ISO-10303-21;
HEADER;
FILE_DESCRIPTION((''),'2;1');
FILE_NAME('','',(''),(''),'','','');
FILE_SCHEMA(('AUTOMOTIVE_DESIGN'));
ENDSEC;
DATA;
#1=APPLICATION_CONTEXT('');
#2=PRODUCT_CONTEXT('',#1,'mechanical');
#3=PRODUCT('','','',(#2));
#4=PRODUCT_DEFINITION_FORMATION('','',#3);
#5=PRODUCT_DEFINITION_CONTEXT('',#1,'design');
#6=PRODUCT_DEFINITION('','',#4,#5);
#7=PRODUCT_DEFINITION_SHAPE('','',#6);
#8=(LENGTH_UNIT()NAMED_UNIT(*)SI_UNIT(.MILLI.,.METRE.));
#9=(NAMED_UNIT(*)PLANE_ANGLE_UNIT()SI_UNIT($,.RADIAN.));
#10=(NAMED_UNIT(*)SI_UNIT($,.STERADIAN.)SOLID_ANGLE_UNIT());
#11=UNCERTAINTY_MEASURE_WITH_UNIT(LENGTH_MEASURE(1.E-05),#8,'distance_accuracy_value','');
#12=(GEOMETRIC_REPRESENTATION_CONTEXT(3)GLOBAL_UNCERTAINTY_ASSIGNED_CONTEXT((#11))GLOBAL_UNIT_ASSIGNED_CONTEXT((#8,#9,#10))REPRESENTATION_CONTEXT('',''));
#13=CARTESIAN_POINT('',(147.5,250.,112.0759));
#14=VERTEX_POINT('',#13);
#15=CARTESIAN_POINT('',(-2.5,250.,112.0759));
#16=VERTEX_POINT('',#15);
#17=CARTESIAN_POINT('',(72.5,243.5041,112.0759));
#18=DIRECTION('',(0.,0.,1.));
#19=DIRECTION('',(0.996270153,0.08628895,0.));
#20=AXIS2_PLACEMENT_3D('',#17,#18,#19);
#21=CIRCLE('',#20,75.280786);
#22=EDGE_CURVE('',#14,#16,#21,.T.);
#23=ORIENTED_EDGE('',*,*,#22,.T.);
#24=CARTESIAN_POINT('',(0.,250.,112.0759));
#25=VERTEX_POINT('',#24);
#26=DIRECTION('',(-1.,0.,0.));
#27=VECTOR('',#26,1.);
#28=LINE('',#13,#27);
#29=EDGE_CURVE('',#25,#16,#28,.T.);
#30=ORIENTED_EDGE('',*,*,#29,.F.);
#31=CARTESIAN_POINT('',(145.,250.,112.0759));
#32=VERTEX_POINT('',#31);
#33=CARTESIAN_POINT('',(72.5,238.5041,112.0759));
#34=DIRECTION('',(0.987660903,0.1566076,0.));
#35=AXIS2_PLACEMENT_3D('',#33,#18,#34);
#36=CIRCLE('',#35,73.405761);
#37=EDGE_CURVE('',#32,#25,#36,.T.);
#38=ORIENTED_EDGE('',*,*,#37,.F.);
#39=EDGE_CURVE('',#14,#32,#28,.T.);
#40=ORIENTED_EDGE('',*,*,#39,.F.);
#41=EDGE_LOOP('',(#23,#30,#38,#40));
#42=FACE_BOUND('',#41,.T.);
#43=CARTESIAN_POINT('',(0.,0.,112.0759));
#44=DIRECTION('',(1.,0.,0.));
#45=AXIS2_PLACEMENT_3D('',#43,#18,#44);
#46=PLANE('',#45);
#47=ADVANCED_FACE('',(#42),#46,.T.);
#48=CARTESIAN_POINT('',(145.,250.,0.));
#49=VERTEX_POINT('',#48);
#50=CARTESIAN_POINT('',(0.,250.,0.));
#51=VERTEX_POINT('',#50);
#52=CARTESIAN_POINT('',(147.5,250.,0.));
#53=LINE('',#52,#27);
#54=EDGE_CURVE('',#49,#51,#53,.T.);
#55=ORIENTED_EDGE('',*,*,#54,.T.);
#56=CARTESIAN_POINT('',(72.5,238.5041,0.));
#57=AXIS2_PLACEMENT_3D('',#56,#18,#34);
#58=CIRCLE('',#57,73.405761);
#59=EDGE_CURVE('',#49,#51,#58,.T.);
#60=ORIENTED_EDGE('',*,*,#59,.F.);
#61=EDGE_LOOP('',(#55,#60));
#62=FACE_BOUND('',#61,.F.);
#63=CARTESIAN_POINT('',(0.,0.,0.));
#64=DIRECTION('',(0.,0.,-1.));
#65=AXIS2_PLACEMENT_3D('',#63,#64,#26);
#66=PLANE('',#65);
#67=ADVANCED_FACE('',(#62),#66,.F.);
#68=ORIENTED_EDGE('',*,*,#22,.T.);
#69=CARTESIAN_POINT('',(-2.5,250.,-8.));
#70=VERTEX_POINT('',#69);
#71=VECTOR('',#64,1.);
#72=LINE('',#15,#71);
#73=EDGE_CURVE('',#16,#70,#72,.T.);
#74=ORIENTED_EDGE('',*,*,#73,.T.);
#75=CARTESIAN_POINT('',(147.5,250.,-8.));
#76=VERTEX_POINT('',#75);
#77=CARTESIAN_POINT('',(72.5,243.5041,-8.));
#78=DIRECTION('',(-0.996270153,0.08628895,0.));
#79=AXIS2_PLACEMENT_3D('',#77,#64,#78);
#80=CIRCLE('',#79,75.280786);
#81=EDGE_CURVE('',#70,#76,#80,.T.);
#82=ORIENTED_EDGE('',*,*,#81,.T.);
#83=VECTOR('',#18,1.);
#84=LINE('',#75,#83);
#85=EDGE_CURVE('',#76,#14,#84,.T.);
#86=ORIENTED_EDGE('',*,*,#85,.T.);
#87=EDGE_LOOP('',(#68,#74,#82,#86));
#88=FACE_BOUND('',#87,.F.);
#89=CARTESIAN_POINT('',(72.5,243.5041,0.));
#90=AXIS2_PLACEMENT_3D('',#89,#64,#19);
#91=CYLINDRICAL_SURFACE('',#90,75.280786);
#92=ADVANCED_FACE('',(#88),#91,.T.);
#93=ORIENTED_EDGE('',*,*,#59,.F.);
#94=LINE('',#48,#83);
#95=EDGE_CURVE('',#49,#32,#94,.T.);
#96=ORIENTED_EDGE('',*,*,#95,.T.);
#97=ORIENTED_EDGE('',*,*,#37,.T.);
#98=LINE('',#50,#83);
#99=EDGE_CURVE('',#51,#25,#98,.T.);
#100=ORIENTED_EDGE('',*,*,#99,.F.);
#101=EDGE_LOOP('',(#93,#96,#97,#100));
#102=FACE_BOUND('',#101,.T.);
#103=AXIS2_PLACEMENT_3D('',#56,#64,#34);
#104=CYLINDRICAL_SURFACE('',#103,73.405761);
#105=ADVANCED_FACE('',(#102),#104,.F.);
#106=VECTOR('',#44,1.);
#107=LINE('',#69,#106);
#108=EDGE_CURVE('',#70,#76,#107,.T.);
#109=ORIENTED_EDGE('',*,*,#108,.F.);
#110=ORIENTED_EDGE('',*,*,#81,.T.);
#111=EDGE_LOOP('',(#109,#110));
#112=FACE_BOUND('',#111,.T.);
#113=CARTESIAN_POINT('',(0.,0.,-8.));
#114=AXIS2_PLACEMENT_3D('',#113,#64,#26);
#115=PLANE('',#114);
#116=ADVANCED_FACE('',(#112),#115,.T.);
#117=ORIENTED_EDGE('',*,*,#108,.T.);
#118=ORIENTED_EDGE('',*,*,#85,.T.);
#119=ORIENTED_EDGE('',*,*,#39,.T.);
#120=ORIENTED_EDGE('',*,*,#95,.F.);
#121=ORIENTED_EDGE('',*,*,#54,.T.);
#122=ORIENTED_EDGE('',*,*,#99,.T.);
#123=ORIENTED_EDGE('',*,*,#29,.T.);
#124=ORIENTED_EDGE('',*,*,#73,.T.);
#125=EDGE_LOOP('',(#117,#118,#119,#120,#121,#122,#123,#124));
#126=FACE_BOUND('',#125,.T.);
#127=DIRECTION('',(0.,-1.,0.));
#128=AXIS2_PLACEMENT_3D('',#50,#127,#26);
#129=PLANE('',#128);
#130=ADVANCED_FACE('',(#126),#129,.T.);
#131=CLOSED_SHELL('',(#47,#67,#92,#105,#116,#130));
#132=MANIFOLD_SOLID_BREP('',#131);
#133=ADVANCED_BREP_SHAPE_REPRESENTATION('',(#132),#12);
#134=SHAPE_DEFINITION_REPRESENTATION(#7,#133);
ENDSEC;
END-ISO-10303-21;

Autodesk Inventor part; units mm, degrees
ref_plane "Work Plane1" through (0, 0, 0) normal (0, 0, 1) x (1, 0, 0)
sketch "Sketch1" plane through (0, 0, 0) normal (0, 0, 1) x (1, 0, 0)
  line L0 (0, 0) -> (145, 0) projected
  line L1 (145, 0) -> (145, 250) projected
  line L2 (0, 250) -> (145, 250) projected
  line L3 (0, 0) -> (0, 250) projected
  line L4 (147.5, 0) -> (-2.5, 0) projected
  line L5 (-2.5, 0) -> (-2.5, 250) projected
  line L6 (147.5, 250) -> (-2.5, 250) projected
  line L7 (147.5, 0) -> (147.5, 250) projected
  arc A0 (145, 250) -> (0, 250) centre (72.5, 238.5041) ccw
  arc A1 (147.5, 250) -> (-2.5, 250) centre (72.5, 243.5041) ccw
  dimension "d0" = 5
ref_plane "Work Plane2" through (145, 0, 117.0759) normal (0, 0, 1) x (1, 0, 0)
ref_plane "Work Plane4" through (140, 0, 112.0759) normal (0, 0, 1) x (1, 0, 0)
extrude "Extrusion1" add sketch "Sketch1" along normal up to surface (112.0759 mm away) contours L6 A1 A0
sketch "Sketch2" plane through (0, 0, 0) normal (0, 0, -1) x (-1, 0, 0)
  line L0 (-147.5, 250) -> (2.5, 250) projected
  line L1 (2.5, 250) -> (0, 250) projected
  arc A0 (2.5, 250) -> (-147.5, 250) centre (-72.5, 243.5041) ccw projected
  line L2 (-145, 250) -> (-147.5, 250) projected
  arc A1 (0, 250) -> (-145, 250) centre (-72.5, 238.5041) ccw projected
  point P0 (0, 0)
ref_plane "Work Plane3" through (-2.5, 0, -8) normal (0, 0, -1) x (0, 1, 0)
extrude "Extrusion2" add sketch "Sketch2" along normal up to surface (8 mm away)
properties part number "FrontSection2" material "Plastic, Opaque White"
